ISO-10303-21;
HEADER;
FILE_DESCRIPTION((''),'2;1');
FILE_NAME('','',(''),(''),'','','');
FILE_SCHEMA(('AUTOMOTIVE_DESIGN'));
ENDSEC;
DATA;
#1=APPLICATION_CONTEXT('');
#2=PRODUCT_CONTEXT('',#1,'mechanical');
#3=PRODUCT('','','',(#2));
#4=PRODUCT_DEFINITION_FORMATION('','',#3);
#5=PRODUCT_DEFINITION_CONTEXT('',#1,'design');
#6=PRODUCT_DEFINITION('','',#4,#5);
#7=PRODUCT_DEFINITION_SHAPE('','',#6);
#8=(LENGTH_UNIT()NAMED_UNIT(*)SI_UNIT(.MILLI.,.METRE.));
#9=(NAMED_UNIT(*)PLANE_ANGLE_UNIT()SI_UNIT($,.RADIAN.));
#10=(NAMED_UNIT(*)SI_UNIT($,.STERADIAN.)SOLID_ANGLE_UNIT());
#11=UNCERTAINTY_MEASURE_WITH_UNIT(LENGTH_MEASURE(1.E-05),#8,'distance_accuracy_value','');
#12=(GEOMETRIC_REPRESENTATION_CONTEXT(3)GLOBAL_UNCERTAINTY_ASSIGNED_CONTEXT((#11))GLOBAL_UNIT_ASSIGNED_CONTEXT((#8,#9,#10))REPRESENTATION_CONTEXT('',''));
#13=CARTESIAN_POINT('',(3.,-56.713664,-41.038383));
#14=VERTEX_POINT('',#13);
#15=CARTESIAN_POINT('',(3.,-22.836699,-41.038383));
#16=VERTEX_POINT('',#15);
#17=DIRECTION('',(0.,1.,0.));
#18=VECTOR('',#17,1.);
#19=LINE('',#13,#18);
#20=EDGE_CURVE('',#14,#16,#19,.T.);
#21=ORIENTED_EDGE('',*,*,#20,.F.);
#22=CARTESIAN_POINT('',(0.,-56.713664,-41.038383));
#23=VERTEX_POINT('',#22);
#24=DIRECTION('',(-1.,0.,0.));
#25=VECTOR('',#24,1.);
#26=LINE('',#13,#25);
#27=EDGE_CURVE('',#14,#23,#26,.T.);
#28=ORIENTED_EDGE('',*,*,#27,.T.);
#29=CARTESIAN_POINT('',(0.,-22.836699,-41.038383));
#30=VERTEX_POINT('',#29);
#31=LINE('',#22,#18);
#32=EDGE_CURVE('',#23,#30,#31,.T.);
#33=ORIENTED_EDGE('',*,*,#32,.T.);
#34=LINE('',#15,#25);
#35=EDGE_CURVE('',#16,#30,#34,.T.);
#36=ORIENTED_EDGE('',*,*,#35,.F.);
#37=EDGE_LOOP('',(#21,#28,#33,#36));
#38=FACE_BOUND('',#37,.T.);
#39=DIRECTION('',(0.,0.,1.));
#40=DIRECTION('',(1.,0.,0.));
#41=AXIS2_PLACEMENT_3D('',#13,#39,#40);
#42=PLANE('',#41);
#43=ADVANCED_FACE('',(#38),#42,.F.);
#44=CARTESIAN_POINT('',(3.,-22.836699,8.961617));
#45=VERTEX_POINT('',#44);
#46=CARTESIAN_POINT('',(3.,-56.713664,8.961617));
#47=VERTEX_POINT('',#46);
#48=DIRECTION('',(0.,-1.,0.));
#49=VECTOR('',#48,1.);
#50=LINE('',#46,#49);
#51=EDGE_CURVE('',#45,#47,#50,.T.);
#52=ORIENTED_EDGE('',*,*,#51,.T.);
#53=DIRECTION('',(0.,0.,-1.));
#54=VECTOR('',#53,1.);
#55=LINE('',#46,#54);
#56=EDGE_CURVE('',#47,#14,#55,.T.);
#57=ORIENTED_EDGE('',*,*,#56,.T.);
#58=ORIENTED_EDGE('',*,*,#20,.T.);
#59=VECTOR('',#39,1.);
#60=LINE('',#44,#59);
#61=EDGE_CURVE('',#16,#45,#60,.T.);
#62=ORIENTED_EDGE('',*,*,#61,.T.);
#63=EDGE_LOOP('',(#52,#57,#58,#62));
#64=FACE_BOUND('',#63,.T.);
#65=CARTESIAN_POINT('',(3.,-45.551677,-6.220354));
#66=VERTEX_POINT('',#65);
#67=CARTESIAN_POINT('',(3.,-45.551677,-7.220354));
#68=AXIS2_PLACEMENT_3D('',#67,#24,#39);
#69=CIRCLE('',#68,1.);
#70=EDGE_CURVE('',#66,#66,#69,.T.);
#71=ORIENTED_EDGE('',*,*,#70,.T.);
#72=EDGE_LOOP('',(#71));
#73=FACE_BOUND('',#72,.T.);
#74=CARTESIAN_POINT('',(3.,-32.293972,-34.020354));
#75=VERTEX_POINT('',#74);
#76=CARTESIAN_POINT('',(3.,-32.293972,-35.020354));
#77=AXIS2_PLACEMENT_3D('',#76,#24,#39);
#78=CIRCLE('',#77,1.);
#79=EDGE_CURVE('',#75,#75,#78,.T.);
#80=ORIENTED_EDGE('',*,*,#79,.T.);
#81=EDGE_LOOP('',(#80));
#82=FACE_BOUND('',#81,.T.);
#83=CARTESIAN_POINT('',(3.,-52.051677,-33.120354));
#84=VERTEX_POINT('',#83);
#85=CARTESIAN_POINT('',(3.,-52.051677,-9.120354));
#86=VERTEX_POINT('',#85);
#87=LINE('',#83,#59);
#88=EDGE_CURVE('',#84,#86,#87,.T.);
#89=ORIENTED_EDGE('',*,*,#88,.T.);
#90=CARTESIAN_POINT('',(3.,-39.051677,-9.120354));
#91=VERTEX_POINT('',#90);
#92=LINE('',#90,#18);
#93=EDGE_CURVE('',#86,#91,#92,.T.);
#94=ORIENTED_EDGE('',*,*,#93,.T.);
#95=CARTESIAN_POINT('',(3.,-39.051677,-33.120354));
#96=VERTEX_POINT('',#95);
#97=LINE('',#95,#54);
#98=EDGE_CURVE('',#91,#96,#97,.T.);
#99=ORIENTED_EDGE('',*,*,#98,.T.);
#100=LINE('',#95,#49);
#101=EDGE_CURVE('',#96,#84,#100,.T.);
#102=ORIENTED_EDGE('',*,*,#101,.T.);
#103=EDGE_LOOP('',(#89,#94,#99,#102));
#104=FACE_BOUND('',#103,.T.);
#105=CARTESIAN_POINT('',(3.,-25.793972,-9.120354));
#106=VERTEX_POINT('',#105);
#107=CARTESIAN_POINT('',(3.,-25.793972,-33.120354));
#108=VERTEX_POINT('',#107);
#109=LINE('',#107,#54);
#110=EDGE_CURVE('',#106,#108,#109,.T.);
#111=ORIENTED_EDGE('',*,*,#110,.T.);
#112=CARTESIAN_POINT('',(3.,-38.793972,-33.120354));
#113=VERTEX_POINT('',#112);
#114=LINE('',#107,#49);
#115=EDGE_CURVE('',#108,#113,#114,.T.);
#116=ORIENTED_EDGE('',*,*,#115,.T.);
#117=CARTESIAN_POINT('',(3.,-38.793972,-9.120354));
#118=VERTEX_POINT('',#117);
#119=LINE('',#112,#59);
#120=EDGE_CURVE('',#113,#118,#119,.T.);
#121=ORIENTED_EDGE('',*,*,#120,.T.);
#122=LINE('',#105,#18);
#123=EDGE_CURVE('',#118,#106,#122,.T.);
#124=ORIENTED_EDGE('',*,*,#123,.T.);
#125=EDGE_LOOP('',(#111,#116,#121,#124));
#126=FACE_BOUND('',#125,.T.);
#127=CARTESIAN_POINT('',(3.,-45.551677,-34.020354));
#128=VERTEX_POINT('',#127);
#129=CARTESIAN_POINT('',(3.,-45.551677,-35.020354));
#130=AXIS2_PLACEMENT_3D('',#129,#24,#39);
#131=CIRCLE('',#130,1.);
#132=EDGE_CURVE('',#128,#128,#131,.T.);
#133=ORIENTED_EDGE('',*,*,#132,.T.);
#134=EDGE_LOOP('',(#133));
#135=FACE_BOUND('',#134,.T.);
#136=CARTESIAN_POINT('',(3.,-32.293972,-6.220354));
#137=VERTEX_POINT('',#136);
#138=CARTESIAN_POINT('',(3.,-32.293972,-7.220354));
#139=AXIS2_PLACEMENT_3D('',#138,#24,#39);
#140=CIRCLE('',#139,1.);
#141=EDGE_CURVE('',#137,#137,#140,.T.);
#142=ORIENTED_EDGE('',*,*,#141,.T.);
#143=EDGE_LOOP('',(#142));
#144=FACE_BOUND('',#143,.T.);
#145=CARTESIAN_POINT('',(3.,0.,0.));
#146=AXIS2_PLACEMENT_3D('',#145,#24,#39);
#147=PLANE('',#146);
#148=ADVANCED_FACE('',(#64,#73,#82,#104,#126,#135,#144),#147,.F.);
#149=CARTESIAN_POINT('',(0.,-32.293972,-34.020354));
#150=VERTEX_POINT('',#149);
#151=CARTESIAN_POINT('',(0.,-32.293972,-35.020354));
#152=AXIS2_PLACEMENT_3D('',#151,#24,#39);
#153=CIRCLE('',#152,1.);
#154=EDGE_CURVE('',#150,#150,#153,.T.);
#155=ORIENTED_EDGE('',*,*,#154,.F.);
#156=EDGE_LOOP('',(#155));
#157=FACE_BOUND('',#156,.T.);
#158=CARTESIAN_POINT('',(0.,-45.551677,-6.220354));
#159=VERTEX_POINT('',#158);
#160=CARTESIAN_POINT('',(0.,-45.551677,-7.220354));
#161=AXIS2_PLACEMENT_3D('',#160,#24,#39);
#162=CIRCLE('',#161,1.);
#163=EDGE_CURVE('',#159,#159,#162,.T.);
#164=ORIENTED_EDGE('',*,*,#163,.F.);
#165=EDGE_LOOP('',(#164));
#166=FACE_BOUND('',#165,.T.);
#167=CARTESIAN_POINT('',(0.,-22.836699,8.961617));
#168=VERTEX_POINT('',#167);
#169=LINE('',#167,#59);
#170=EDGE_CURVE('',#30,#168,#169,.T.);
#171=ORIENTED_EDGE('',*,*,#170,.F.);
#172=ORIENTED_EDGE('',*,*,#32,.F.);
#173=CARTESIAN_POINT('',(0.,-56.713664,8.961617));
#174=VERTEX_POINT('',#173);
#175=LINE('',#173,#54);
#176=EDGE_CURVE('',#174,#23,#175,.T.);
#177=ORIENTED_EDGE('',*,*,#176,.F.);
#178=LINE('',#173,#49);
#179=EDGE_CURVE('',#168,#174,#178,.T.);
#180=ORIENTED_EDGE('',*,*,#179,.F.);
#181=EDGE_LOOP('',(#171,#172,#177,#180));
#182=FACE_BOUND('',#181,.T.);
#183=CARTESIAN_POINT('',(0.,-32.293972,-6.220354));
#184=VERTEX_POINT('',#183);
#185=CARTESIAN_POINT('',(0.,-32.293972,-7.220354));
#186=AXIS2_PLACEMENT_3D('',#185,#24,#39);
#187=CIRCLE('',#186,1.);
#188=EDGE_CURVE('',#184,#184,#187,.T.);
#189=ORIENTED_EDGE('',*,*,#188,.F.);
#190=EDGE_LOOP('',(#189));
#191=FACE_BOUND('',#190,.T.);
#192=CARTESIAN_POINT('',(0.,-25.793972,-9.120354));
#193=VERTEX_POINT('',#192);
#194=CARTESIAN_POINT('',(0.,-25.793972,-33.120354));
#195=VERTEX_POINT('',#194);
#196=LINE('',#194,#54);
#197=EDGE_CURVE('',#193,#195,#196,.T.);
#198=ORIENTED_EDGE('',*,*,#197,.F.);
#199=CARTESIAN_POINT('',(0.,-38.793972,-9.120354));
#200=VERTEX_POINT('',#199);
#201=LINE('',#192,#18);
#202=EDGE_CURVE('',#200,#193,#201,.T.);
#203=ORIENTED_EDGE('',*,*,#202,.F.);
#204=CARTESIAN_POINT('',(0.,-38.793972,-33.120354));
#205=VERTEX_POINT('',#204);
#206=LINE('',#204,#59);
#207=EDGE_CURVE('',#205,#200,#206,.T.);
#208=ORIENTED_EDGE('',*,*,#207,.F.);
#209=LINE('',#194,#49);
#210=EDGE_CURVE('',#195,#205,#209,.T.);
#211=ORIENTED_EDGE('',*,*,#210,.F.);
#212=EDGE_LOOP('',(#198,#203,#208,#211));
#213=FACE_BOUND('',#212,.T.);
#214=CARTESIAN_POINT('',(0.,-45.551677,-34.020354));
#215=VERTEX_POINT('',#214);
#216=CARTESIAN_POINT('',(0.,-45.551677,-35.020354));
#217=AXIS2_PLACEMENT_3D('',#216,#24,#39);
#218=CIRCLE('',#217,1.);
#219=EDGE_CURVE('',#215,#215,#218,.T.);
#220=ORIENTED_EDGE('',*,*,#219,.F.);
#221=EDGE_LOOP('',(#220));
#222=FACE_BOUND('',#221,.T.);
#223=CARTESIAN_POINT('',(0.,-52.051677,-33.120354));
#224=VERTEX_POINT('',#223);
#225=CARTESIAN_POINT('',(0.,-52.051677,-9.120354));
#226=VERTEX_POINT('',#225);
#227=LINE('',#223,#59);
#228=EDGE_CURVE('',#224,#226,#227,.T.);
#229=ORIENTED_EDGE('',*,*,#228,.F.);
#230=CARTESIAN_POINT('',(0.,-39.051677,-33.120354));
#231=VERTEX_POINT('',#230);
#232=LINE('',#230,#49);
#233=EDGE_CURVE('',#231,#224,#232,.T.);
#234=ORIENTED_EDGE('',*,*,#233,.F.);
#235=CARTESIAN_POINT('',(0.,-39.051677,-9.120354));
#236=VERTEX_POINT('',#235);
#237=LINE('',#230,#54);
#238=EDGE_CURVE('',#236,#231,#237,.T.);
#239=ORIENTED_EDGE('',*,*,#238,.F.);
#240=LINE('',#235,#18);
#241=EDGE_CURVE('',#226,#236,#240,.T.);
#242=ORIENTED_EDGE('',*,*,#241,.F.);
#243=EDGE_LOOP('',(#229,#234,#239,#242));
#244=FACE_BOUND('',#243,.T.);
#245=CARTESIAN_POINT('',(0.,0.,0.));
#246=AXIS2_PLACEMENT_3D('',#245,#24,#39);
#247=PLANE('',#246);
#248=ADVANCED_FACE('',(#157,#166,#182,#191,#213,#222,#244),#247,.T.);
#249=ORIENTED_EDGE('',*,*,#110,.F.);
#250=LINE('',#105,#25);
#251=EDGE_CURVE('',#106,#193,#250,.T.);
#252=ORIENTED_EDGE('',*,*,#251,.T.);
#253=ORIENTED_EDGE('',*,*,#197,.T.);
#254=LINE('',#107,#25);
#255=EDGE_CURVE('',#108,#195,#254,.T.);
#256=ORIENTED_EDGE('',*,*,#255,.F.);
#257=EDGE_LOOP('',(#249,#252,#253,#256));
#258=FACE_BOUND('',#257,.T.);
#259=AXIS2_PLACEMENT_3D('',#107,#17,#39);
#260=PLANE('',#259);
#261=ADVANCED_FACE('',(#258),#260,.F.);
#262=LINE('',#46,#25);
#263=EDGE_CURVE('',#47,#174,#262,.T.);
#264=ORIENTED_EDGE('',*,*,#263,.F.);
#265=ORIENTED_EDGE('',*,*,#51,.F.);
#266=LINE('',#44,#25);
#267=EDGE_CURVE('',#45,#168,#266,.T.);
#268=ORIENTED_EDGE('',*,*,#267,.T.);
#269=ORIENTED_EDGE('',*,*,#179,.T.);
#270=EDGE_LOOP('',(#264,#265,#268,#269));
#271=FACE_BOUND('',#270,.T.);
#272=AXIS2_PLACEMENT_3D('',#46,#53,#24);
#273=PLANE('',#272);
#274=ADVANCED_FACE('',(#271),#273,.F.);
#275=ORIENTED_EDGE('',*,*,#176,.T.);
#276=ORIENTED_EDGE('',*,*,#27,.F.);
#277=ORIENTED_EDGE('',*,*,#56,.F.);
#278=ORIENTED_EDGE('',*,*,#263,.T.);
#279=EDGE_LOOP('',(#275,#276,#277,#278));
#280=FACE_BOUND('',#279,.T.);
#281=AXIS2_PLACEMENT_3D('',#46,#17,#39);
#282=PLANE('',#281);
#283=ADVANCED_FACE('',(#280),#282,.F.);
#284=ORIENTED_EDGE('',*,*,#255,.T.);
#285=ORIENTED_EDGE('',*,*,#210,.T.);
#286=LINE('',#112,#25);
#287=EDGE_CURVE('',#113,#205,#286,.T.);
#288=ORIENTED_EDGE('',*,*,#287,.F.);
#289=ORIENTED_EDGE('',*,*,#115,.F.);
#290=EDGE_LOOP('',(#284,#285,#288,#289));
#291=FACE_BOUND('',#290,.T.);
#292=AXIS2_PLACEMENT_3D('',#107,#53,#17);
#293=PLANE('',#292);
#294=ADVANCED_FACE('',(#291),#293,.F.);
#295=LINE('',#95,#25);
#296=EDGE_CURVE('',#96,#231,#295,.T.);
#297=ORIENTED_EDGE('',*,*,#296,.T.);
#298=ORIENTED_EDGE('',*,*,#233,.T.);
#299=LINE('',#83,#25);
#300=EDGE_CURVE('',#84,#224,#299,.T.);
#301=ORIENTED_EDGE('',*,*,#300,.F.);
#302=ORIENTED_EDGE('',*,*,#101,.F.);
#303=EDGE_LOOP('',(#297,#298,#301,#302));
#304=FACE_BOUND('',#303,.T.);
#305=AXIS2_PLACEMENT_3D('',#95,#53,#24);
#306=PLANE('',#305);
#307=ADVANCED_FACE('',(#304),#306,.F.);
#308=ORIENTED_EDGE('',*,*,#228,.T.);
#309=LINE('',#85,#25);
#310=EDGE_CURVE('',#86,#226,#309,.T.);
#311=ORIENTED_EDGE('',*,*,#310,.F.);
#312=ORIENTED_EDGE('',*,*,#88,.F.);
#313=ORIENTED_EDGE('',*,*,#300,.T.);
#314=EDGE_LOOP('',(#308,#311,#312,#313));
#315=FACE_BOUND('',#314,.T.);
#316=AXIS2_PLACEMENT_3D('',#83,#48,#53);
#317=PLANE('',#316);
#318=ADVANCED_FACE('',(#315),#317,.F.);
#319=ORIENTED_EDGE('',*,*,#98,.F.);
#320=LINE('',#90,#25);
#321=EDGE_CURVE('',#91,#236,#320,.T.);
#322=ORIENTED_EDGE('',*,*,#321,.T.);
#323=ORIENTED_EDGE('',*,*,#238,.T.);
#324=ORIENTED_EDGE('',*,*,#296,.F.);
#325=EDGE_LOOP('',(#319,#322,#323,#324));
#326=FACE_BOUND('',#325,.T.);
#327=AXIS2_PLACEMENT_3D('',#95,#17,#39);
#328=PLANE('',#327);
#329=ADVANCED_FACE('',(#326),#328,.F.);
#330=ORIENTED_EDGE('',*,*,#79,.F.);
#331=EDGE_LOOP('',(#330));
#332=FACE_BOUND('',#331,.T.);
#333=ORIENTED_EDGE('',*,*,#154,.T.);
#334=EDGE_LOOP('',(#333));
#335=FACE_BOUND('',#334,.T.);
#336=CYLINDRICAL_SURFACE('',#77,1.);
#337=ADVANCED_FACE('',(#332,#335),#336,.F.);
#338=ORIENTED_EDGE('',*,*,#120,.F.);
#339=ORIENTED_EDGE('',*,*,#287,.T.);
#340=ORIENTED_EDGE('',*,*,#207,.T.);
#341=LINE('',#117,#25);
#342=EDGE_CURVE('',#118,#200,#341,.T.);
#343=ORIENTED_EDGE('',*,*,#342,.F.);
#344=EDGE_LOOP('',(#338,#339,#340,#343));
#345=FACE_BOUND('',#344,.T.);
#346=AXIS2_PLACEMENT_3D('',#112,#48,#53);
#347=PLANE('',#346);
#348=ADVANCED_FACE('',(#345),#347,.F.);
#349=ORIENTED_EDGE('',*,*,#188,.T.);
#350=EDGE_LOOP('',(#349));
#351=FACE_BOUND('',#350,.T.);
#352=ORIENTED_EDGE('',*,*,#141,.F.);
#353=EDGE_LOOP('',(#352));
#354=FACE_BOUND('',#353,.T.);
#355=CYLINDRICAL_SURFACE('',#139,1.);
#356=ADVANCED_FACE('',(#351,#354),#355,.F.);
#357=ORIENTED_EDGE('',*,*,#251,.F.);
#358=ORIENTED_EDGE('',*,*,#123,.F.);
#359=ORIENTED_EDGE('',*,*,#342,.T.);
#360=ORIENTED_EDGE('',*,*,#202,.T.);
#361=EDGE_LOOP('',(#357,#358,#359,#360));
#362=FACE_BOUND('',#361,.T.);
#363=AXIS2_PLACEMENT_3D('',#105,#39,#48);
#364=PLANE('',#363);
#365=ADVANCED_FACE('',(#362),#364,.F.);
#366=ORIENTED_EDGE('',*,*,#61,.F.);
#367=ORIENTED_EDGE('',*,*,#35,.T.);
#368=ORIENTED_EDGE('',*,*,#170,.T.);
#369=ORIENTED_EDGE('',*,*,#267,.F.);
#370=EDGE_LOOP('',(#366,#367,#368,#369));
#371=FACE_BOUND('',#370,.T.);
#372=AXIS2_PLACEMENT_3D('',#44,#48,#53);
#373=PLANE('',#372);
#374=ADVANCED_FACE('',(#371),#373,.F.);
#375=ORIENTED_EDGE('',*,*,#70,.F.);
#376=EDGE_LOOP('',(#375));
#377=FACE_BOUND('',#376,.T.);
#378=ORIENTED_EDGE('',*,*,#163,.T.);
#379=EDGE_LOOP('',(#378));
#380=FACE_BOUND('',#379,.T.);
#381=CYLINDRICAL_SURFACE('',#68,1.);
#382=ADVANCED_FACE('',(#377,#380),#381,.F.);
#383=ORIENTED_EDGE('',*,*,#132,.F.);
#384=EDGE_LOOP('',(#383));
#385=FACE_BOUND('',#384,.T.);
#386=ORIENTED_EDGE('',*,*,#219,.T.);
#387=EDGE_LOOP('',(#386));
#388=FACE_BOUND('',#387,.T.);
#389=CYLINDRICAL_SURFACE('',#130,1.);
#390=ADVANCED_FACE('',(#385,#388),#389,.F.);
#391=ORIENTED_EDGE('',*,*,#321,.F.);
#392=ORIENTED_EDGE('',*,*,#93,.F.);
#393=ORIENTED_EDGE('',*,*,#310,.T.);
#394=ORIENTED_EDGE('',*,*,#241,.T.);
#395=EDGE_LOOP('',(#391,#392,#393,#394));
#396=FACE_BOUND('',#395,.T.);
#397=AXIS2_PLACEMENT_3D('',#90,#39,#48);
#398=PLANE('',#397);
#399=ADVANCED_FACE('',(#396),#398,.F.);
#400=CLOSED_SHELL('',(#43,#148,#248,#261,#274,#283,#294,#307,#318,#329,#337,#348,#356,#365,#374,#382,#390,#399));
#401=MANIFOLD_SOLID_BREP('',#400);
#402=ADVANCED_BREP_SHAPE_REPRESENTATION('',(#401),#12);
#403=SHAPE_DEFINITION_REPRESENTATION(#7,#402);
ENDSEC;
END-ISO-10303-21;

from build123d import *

# Parameters (mm, degrees)
SKETCH1_W           = 50
SKETCH1_H           = 33.876964868
BOSS_EXTRUDE1_DEPTH = 3
SKETCH2_R           = 1
SKETCH2_W           = 24
SKETCH2_H           = 13
CUT_EXTRUDE1_DEPTH  = 4


with BuildPart() as part:
    # Sketch1 → Boss-Extrude1 (new body)
    with BuildSketch(Plane(origin=(0, 0, 0), x_dir=(0, 0, -1), z_dir=(1, 0, 0))):
        with Locations((16.038383019, -39.775181141)):
            Rectangle(SKETCH1_W, SKETCH1_H)
    extrude(amount=BOSS_EXTRUDE1_DEPTH)

    # Sketch2 → Cut-Extrude1 (cut, through all)
    with BuildSketch(Plane.ZY):
        with Locations((-35.020353647, -45.551677475)):
            Circle(SKETCH2_R)
        with Locations((-7.220353647, -45.551677475)):
            Circle(SKETCH2_R)
        with Locations((-35.020353647, -32.293971569)):
            Circle(SKETCH2_R)
        with Locations((-7.220353647, -32.293971569)):
            Circle(SKETCH2_R)
        with Locations((-21.120353647, -45.551677475)):
            Rectangle(SKETCH2_W, SKETCH2_H)
        with Locations((-21.120353647, -32.293971569)):
            Rectangle(SKETCH2_W, SKETCH2_H)
    extrude(amount=-CUT_EXTRUDE1_DEPTH, mode=Mode.SUBTRACT)


solid = part.part
